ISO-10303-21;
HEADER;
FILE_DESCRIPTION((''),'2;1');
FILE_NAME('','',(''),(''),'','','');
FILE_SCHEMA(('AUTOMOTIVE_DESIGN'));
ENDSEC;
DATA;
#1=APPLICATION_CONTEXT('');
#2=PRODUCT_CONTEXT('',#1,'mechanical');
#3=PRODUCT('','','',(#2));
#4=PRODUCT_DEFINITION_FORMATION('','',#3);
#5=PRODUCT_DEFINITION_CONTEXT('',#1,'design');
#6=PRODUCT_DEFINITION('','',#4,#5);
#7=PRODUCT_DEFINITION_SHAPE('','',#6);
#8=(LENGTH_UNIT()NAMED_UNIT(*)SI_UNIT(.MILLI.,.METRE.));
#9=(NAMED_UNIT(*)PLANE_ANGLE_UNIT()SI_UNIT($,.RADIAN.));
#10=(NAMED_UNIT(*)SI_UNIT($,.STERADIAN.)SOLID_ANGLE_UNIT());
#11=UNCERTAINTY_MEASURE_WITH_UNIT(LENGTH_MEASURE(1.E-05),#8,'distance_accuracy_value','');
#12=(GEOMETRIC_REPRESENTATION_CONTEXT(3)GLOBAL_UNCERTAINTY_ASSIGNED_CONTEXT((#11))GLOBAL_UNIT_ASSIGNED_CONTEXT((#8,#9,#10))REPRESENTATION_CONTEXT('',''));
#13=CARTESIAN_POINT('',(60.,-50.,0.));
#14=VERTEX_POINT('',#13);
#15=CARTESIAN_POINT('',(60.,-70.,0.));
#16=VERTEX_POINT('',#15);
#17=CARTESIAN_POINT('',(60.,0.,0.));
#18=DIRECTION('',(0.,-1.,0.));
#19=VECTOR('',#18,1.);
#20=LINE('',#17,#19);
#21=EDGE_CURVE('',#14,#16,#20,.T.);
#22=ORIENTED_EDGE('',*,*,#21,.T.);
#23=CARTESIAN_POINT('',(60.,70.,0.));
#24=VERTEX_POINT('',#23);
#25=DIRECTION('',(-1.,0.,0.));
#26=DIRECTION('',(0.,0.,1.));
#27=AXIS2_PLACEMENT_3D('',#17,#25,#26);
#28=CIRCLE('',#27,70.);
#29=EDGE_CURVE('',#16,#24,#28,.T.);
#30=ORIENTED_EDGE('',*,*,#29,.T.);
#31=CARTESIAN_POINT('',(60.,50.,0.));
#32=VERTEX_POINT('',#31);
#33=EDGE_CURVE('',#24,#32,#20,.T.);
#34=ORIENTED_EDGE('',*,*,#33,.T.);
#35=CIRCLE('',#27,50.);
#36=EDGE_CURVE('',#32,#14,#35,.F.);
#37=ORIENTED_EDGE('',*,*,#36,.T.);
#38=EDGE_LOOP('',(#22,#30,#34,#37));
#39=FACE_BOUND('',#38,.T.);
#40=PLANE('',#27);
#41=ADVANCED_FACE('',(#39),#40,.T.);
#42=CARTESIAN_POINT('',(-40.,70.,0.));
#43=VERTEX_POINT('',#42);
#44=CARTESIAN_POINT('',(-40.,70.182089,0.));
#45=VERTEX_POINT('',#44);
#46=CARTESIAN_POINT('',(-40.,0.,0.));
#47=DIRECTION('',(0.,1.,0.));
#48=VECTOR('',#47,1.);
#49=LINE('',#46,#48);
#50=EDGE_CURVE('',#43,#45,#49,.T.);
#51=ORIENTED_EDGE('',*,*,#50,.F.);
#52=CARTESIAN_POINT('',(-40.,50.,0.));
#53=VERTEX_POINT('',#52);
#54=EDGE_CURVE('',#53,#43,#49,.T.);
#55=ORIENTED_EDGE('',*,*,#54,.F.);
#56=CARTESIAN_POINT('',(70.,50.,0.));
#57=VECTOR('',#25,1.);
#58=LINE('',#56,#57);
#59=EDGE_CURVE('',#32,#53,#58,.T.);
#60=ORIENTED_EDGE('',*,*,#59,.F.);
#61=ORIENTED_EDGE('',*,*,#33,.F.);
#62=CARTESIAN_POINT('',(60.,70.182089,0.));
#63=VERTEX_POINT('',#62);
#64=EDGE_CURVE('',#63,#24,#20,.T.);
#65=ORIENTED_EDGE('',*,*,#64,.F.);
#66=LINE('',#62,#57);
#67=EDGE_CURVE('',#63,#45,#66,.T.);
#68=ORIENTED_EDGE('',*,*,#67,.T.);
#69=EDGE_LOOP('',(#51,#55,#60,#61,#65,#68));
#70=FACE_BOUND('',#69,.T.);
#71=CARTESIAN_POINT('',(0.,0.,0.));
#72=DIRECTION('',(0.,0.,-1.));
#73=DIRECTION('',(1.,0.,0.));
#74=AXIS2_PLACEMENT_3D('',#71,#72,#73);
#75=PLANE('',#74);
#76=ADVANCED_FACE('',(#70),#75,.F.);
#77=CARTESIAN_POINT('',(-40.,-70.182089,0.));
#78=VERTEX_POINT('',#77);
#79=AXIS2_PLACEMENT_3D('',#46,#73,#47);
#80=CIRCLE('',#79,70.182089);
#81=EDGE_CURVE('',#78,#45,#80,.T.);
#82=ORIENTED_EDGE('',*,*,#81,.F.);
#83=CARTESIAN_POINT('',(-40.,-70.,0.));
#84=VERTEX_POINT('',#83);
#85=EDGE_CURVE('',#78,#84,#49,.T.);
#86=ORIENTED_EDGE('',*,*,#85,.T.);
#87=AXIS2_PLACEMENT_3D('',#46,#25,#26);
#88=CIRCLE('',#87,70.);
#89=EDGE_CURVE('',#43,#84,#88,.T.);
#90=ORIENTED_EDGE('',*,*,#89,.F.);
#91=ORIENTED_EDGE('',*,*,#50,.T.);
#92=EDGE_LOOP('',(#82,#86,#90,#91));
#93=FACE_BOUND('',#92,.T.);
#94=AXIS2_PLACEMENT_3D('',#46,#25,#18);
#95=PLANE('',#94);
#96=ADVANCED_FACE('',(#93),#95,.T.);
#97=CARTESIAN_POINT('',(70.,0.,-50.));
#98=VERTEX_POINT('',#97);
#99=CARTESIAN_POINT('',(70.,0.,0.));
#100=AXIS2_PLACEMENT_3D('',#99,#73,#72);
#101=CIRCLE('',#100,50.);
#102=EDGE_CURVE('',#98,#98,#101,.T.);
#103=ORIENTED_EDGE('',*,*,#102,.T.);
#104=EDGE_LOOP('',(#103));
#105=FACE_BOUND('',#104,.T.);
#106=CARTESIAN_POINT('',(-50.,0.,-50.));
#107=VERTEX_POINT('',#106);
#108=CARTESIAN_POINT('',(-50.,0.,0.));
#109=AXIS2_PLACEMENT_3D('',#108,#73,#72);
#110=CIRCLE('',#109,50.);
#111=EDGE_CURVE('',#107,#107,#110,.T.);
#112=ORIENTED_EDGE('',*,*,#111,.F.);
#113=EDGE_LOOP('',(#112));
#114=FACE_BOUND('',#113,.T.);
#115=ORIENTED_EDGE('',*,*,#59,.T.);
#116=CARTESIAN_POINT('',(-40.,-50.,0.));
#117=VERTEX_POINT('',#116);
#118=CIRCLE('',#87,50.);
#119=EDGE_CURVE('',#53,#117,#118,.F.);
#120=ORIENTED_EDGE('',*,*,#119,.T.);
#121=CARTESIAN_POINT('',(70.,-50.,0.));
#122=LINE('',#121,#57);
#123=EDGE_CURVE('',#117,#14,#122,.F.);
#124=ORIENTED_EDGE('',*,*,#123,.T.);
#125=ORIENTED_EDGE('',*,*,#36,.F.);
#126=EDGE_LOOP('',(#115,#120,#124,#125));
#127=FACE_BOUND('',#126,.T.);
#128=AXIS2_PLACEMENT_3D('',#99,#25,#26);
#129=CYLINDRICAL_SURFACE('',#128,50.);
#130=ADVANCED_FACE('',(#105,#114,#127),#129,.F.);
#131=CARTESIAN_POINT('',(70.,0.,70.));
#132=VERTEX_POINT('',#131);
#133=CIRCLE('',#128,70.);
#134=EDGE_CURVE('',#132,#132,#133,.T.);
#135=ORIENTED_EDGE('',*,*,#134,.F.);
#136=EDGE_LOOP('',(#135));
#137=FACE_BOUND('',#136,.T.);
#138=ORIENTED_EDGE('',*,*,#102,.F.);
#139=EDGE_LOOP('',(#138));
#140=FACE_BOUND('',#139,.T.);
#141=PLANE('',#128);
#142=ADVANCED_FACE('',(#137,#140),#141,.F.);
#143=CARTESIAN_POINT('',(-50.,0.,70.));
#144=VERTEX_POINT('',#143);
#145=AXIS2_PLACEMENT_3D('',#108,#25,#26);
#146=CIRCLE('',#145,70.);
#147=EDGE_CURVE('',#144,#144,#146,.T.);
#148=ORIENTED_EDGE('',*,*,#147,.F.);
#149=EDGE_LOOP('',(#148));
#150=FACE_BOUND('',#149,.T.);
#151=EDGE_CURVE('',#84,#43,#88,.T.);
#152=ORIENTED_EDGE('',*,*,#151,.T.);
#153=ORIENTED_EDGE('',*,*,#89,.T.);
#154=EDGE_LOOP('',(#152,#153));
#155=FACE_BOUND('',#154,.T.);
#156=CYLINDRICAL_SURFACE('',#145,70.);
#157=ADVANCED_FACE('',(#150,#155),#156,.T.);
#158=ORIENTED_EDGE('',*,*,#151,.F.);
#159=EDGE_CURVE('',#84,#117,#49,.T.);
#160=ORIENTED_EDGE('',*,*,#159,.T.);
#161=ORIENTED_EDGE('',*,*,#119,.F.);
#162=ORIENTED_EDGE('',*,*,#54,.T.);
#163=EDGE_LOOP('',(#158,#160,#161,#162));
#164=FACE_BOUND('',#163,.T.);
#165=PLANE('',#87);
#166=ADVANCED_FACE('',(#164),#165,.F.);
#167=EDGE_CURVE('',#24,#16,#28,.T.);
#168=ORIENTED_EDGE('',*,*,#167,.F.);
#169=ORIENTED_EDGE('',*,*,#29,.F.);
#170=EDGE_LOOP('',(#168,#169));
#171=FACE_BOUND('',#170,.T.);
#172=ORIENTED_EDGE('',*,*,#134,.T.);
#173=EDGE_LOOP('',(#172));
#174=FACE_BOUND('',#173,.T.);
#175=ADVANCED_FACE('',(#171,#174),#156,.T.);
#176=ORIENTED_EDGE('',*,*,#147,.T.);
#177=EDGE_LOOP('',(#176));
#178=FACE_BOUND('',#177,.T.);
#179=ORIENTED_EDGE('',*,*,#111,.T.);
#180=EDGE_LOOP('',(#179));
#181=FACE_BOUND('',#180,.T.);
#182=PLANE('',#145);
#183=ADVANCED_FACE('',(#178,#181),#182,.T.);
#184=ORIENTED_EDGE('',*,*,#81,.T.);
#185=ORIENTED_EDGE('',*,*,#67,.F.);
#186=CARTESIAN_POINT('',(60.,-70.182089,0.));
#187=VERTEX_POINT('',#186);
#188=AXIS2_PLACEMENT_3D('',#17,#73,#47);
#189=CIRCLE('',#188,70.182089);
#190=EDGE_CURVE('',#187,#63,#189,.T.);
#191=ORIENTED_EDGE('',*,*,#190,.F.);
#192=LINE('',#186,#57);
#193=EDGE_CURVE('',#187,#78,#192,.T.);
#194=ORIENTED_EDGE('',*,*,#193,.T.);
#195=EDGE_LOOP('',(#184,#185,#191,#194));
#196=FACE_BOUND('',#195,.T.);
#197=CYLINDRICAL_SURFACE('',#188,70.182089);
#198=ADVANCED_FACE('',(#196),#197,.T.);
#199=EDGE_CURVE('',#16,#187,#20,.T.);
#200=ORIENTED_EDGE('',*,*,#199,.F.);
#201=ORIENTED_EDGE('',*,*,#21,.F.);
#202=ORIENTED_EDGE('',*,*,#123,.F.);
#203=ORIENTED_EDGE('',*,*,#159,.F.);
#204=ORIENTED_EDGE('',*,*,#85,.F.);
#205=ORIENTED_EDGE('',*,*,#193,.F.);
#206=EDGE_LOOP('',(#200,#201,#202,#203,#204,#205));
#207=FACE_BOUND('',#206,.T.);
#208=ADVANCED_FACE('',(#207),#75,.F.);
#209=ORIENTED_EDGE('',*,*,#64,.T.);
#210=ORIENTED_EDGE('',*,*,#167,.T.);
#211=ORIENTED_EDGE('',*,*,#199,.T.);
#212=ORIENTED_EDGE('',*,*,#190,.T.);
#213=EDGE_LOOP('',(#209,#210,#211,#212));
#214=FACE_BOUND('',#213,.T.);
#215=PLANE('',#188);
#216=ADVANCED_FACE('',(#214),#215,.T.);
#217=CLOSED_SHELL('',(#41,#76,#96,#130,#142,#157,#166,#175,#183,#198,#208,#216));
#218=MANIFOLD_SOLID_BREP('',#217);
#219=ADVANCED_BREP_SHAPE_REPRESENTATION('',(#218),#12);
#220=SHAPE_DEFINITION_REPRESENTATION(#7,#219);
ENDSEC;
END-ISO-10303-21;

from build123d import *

# Parameters (mm, degrees)
ESQUISSE1_W                  = 10
ESQUISSE1_H                  = 70
ESQUISSE1_4_W                = 10
ESQUISSE1_4_H                = 70
ESQUISSE14_W                 = 100
ESQUISSE14_H                 = 70.182088946
R_VOLUTION5_ANGLE            = 180
ESQUISSE15_R                 = 50
ENL_V_MAT_EXTRU_1_DEPTH      = 111
ENL_V_MAT_EXTRU_1_DEPTH_BACK = 11


with BuildPart() as part:
    # Esquisse1 → R_vol.-Mince2 (revolve)
    with BuildSketch(Plane.XY):
        with Locations((-45, 35)):
            Rectangle(ESQUISSE1_W, ESQUISSE1_H)
    revolve(axis=Axis((-50, 0, 0), (1, 0, 0)))



with BuildPart() as body_2:
    # Esquisse1_4 → R_vol.-Mince3 (revolve)
    with BuildSketch(Plane.XY):
        with Locations((65, 35)):
            Rectangle(ESQUISSE1_4_W, ESQUISSE1_4_H)
    revolve(axis=Axis((-50, 0, 0), (1, 0, 0)))


with BuildPart() as part_1:
    add(part.part)

    add(body_2.part)  # R_volution5 merges body 2
    # Esquisse14 → R_volution5 (revolve)
    with BuildSketch(Plane.XY):
        with Locations((10, 35.091044473)):
            Rectangle(ESQUISSE14_W, ESQUISSE14_H)
    revolve(axis=Axis((60, 0, 0), (-1, 0, 0)), revolution_arc=R_VOLUTION5_ANGLE)

    # Esquisse15 → Enl_v. mat.-Extru.1 (cut, two sides)
    with BuildSketch(Plane(origin=(-40, 0, 0), x_dir=(0, 0, -1), z_dir=(1, 0, 0))) as enl_v_mat_extru_1_sk:
        Circle(ESQUISSE15_R)
    extrude(amount=ENL_V_MAT_EXTRU_1_DEPTH, mode=Mode.SUBTRACT)
    extrude(enl_v_mat_extru_1_sk.sketch, amount=-ENL_V_MAT_EXTRU_1_DEPTH_BACK, mode=Mode.SUBTRACT)


solid = part_1.part
